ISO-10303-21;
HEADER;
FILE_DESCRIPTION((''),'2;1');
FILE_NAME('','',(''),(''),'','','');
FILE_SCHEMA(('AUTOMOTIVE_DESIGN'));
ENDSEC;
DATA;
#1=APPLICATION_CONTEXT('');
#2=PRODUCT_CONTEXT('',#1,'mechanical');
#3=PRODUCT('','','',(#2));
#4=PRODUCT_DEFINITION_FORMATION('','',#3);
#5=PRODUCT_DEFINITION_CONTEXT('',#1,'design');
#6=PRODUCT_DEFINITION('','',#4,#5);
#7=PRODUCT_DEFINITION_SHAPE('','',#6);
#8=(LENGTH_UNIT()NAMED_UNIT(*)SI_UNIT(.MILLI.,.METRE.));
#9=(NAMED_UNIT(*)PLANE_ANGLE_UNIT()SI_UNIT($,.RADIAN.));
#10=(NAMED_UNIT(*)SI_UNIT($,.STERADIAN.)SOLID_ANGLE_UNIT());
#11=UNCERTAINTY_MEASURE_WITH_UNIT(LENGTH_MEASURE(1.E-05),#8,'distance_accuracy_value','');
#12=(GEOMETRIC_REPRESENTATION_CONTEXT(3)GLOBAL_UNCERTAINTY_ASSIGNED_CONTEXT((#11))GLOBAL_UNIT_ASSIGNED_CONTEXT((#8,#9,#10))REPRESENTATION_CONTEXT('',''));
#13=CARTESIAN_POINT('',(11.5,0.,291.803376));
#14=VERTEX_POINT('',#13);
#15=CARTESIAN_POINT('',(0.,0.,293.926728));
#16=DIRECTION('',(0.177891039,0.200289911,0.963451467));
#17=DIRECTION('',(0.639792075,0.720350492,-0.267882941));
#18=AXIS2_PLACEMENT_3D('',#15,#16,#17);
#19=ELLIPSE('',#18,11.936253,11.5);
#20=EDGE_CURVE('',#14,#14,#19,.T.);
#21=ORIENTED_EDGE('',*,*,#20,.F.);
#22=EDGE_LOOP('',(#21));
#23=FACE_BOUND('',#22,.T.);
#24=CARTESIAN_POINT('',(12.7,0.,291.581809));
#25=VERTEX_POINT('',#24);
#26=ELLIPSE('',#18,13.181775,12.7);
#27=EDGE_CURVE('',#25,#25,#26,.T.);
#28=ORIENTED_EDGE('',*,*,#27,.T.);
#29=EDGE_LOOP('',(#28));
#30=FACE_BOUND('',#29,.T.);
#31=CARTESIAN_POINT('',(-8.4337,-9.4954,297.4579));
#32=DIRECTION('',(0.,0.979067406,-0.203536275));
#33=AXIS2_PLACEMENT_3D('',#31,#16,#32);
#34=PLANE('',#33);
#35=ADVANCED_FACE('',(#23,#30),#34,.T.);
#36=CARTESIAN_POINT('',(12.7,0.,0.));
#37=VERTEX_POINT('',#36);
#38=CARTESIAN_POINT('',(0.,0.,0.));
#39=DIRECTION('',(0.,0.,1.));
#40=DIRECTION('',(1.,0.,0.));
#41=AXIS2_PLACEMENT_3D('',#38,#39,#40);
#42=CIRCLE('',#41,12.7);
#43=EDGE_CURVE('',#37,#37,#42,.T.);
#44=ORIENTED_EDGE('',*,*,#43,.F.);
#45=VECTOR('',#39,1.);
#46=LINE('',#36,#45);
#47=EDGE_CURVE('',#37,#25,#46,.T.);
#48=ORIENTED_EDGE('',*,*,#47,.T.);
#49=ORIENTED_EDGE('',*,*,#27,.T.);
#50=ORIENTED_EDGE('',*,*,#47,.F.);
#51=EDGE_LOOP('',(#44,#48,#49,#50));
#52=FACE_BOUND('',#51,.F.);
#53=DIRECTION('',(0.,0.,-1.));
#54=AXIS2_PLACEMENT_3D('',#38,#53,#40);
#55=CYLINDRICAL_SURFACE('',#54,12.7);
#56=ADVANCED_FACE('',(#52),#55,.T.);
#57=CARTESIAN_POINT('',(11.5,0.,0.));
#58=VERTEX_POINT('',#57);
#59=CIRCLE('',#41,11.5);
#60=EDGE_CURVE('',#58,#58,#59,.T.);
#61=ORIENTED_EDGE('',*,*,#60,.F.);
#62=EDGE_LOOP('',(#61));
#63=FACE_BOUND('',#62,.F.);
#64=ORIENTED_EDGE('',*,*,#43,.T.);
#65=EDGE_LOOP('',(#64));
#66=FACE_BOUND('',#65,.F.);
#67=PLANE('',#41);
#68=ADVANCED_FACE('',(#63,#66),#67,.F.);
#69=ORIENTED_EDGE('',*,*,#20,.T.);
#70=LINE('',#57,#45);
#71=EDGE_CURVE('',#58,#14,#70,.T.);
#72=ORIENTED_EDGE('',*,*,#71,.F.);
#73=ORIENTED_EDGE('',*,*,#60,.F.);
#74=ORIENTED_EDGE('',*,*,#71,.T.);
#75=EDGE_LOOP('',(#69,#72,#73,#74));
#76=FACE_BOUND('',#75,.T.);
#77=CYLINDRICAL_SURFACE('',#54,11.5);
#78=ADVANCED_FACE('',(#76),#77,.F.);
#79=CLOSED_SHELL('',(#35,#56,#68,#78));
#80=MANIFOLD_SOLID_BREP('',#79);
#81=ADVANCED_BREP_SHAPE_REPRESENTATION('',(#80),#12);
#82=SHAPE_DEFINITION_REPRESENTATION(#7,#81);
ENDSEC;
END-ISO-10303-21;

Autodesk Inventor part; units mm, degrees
ref_plane "Start plane" through (0, 0, 0) normal (0, 0, 1) x (1, 0, 0)
ref_plane "End plane" through (0, 0, 298.9119) normal (0, 0, 1) x (1, 0, 0)
sketch "Sketch" plane through (0, 0, 0) normal (0, 0, 1) x (1, 0, 0)
  circle A0 centre (0, 0) radius 11.5
  circle A1 centre (0, 0) radius 12.7
  dimension "d0" = 25.4
  dimension "d1" = 1.2
extrude "Body" add sketch "Sketch" along normal up to surface (298.9119 mm away) from surface at 0
sketch "Sketch3" plane through (0, 0, 0) normal (0, 0, 1) x (1, 0, 0)
  line L0 (0, 0) -> (10, 0)
ref_plane "Work Plane3" through (0, 0, 0) normal (0, -1, 0) x (1, 0, 0)
sketch "Sketch4" plane through (0, 0, 0) normal (0, -1, 0) x (1, 0, 0)
  line L0 (-2, 0) -> (12, 0)
  line L1 (-2, 298.9119) -> (12, 298.9119)
  dimension "d7" = 298.9119
ref_plane "Work Plane4" through (-8.4337, -9.4954, 297.4579) normal (0.1779, 0.2003, 0.9635) x (0.9839, -0.0181, -0.1779)
split "Split1" plane through (-8.4337, -9.4954, 297.4579) removes the side toward (0.1779, 0.2003, 0.9635)
equation "\"d0\" = G_H"
equation "\"d1\" = G_T"
equation "\"d2\" = G_L"
equation "\"G_H\" = 25.4"
equation "\"G_T\" = 1.2"
equation "\"G_L\" = 297.45791"
equation "\"G_OFFSET_START\" = 0"
equation "\"G_OFFSET_END\" = 4.98517"
equation "\"d5\" = G_OFFSET_END + B_L"
equation "\"B_L\" = 293.92668"
properties part number "DIN EN 10220-3 - 25,4 x 1,2 - 298,912" material "Steel, Mild"
